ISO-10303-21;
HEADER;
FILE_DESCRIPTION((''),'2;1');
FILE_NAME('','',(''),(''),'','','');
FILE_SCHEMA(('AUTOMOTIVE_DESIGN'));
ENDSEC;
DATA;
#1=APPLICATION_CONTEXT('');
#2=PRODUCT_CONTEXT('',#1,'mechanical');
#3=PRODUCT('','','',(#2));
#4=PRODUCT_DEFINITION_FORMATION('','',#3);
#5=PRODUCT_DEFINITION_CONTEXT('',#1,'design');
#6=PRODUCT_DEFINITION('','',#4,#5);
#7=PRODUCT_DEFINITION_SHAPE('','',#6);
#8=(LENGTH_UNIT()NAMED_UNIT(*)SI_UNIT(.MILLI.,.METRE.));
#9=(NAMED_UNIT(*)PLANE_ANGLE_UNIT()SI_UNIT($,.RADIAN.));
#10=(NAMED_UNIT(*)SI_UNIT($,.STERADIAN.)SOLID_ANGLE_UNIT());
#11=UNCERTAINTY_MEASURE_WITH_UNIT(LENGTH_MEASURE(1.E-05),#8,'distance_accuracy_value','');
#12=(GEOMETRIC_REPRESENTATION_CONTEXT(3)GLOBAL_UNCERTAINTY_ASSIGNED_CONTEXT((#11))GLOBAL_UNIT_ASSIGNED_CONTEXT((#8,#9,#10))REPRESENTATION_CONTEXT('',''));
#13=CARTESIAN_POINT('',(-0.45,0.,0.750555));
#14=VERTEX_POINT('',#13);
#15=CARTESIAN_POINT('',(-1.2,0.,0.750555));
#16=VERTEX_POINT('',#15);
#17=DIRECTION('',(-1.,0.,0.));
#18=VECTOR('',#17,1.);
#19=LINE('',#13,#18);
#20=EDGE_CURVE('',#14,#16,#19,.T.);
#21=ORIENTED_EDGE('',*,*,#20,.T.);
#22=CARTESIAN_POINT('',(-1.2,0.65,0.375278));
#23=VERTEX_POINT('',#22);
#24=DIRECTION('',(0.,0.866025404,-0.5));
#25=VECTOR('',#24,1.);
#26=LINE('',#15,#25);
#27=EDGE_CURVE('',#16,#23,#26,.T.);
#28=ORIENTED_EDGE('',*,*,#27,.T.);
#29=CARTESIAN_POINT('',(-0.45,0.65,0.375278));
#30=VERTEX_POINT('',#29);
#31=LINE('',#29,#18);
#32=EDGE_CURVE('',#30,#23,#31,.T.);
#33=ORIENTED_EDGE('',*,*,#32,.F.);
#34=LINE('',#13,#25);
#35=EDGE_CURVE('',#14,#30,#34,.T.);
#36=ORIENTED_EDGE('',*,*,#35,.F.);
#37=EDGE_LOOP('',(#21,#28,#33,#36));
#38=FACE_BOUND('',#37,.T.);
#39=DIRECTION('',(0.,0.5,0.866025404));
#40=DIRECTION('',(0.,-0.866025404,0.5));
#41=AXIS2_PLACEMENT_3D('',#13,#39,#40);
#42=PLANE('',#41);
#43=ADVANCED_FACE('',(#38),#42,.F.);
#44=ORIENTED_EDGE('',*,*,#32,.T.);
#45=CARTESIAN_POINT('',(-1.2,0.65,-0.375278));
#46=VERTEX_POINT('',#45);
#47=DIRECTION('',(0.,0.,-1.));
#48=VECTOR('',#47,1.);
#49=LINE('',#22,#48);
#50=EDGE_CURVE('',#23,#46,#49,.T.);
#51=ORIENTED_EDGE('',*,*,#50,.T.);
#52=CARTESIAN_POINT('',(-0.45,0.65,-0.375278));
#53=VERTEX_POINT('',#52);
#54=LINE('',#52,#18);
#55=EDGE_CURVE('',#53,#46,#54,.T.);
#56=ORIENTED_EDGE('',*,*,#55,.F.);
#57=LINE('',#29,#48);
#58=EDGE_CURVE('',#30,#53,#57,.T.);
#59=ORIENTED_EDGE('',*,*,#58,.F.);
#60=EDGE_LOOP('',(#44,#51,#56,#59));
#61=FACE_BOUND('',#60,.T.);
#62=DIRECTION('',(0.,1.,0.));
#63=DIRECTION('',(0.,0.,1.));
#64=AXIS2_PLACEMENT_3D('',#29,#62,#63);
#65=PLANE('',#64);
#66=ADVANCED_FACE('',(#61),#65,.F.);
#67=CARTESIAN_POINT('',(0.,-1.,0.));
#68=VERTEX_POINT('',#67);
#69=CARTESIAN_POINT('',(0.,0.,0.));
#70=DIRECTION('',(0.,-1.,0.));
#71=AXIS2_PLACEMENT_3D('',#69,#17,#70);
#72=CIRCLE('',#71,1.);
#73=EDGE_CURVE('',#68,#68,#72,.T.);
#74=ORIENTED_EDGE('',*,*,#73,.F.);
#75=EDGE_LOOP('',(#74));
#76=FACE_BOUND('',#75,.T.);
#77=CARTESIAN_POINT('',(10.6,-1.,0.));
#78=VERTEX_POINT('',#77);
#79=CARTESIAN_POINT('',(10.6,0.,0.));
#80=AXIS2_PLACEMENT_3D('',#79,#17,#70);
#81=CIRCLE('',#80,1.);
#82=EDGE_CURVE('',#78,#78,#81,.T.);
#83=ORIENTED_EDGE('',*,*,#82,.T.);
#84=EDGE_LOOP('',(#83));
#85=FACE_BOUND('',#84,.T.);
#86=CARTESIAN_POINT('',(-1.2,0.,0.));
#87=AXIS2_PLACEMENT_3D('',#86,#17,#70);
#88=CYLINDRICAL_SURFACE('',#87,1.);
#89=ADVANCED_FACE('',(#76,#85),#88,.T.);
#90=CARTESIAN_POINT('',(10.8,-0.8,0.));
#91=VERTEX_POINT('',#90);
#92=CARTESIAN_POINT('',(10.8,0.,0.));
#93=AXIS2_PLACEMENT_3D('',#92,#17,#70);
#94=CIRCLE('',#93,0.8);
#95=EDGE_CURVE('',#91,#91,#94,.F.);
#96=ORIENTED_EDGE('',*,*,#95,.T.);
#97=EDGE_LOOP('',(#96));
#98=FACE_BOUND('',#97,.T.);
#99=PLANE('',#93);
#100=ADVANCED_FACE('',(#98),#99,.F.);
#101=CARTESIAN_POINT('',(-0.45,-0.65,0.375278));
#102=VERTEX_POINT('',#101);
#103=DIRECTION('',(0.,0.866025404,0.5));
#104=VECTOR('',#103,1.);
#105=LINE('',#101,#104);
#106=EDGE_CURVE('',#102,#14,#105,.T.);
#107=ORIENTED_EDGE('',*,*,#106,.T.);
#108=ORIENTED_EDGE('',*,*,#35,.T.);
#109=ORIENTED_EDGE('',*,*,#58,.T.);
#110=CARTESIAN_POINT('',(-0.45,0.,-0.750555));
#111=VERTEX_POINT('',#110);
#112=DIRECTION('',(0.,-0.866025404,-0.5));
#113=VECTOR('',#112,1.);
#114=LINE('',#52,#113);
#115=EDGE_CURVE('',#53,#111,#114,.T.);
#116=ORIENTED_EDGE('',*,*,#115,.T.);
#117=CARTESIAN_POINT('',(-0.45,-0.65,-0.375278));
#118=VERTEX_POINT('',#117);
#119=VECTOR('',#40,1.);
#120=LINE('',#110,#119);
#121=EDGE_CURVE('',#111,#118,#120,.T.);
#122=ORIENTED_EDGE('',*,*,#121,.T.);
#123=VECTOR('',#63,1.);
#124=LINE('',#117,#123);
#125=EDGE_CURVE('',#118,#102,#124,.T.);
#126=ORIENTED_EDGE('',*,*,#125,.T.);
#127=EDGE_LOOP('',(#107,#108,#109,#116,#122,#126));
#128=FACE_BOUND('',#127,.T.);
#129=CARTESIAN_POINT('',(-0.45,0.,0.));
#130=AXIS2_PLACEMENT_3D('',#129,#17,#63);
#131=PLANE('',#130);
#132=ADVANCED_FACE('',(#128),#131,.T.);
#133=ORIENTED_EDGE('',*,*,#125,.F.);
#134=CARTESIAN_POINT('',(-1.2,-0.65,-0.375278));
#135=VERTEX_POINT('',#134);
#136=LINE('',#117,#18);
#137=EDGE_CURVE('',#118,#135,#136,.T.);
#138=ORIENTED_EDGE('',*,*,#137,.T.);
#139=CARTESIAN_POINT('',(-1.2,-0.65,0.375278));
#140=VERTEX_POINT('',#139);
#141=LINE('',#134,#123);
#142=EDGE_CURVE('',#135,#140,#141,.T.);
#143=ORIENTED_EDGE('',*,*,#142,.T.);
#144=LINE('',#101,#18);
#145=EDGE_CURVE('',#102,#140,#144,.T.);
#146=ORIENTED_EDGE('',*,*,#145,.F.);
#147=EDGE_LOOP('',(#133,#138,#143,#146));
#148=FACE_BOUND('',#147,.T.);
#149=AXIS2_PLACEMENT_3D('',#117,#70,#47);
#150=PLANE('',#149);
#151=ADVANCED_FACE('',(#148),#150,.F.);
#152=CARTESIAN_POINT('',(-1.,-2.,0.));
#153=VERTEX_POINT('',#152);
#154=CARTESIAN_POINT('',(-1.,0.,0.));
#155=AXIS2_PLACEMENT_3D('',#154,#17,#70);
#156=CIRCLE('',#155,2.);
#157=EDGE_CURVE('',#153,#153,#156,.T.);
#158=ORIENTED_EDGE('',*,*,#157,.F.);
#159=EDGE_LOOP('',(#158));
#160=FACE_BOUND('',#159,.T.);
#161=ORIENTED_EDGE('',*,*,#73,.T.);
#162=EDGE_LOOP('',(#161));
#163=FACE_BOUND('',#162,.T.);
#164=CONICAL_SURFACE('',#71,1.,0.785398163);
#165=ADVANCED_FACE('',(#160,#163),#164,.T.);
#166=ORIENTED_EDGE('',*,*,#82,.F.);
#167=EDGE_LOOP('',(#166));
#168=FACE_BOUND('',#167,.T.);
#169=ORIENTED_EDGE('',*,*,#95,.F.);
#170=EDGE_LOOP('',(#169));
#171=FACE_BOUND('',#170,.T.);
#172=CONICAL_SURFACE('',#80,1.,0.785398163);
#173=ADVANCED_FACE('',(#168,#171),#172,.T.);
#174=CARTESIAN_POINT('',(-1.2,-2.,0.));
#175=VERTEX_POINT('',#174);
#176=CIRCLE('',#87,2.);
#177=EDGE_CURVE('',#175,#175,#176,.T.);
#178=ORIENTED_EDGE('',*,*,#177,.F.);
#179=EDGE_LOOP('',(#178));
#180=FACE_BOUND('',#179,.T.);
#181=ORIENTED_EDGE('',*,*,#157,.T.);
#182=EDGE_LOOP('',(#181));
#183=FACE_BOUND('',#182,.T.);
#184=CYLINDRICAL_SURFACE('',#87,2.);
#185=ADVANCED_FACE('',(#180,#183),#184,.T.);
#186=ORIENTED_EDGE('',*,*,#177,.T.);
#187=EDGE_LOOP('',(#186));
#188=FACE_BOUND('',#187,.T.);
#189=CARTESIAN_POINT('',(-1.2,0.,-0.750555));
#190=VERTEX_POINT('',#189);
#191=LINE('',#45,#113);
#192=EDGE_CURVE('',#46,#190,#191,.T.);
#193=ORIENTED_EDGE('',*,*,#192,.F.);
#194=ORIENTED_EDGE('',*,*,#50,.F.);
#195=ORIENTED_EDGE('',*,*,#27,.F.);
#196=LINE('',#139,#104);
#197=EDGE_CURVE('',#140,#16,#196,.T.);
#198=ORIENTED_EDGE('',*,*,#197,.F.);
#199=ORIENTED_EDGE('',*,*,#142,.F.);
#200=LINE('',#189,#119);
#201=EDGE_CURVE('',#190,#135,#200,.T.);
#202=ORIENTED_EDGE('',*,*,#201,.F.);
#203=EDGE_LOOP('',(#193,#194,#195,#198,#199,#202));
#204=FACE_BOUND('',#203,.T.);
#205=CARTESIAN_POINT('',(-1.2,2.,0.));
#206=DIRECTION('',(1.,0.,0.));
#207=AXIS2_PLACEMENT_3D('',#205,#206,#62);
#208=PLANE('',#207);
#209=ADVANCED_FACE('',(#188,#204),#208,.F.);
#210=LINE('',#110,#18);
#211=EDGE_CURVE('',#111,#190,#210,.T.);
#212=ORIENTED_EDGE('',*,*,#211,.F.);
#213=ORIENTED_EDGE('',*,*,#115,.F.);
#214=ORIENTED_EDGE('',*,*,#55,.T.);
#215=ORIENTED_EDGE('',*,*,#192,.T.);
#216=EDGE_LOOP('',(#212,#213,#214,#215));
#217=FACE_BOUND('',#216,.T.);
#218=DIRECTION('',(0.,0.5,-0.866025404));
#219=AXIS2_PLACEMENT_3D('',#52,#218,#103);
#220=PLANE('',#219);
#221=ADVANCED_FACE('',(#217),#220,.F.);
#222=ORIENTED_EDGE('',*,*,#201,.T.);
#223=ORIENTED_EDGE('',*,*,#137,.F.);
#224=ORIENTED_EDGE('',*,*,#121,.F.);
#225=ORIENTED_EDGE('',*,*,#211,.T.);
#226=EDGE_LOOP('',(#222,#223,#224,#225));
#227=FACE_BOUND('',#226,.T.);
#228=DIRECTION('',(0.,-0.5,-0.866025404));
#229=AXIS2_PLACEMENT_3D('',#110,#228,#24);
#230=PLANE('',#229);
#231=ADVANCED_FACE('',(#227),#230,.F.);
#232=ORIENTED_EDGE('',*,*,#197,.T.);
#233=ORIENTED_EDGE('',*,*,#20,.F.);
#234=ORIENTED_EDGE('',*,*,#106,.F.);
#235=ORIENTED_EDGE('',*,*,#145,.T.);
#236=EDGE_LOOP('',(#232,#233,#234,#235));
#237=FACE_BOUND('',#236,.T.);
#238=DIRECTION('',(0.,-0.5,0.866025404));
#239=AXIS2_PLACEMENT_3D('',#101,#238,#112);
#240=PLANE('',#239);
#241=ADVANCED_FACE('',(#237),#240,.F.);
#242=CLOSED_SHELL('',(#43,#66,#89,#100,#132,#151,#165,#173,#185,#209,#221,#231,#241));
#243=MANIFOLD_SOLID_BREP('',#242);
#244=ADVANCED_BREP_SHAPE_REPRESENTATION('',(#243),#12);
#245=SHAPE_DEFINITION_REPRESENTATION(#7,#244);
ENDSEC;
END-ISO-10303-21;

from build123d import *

# Parameters (mm, degrees)
CHAMFER1_SIZE      = 0.2
CUT_EXTRUDE1_DEPTH = 0.75


with BuildPart() as part:
    # Sketch1 → Revolve1 (revolve)
    with BuildSketch(Plane.XY):
        Polygon((0, 1), (-1, 2), (-1.2, 2), (-1.2, 0), (10.8, 0), (10.8, 1), align=None)
    revolve(axis=Axis((-1.2, 0, 0), (1, 0, 0)))

    # Chamfer1
    chamfer1_edges = [part.edges().sort_by_distance(p)[0] for p in [
        (10.8, -1, 0),
    ]]
    chamfer(chamfer1_edges, length=CHAMFER1_SIZE)

    # Sketch2 → Cut-Extrude1 (cut)
    with BuildSketch(Plane.ZY.offset(1.2)):
        Polygon((-0.75055535, 0), (-0.375277675, -0.65), (0.375277675, -0.65), (0.75055535, 0), (0.375277675, 0.65), (-0.375277675, 0.65), align=None)
    extrude(amount=-CUT_EXTRUDE1_DEPTH, mode=Mode.SUBTRACT)


solid = part.part
